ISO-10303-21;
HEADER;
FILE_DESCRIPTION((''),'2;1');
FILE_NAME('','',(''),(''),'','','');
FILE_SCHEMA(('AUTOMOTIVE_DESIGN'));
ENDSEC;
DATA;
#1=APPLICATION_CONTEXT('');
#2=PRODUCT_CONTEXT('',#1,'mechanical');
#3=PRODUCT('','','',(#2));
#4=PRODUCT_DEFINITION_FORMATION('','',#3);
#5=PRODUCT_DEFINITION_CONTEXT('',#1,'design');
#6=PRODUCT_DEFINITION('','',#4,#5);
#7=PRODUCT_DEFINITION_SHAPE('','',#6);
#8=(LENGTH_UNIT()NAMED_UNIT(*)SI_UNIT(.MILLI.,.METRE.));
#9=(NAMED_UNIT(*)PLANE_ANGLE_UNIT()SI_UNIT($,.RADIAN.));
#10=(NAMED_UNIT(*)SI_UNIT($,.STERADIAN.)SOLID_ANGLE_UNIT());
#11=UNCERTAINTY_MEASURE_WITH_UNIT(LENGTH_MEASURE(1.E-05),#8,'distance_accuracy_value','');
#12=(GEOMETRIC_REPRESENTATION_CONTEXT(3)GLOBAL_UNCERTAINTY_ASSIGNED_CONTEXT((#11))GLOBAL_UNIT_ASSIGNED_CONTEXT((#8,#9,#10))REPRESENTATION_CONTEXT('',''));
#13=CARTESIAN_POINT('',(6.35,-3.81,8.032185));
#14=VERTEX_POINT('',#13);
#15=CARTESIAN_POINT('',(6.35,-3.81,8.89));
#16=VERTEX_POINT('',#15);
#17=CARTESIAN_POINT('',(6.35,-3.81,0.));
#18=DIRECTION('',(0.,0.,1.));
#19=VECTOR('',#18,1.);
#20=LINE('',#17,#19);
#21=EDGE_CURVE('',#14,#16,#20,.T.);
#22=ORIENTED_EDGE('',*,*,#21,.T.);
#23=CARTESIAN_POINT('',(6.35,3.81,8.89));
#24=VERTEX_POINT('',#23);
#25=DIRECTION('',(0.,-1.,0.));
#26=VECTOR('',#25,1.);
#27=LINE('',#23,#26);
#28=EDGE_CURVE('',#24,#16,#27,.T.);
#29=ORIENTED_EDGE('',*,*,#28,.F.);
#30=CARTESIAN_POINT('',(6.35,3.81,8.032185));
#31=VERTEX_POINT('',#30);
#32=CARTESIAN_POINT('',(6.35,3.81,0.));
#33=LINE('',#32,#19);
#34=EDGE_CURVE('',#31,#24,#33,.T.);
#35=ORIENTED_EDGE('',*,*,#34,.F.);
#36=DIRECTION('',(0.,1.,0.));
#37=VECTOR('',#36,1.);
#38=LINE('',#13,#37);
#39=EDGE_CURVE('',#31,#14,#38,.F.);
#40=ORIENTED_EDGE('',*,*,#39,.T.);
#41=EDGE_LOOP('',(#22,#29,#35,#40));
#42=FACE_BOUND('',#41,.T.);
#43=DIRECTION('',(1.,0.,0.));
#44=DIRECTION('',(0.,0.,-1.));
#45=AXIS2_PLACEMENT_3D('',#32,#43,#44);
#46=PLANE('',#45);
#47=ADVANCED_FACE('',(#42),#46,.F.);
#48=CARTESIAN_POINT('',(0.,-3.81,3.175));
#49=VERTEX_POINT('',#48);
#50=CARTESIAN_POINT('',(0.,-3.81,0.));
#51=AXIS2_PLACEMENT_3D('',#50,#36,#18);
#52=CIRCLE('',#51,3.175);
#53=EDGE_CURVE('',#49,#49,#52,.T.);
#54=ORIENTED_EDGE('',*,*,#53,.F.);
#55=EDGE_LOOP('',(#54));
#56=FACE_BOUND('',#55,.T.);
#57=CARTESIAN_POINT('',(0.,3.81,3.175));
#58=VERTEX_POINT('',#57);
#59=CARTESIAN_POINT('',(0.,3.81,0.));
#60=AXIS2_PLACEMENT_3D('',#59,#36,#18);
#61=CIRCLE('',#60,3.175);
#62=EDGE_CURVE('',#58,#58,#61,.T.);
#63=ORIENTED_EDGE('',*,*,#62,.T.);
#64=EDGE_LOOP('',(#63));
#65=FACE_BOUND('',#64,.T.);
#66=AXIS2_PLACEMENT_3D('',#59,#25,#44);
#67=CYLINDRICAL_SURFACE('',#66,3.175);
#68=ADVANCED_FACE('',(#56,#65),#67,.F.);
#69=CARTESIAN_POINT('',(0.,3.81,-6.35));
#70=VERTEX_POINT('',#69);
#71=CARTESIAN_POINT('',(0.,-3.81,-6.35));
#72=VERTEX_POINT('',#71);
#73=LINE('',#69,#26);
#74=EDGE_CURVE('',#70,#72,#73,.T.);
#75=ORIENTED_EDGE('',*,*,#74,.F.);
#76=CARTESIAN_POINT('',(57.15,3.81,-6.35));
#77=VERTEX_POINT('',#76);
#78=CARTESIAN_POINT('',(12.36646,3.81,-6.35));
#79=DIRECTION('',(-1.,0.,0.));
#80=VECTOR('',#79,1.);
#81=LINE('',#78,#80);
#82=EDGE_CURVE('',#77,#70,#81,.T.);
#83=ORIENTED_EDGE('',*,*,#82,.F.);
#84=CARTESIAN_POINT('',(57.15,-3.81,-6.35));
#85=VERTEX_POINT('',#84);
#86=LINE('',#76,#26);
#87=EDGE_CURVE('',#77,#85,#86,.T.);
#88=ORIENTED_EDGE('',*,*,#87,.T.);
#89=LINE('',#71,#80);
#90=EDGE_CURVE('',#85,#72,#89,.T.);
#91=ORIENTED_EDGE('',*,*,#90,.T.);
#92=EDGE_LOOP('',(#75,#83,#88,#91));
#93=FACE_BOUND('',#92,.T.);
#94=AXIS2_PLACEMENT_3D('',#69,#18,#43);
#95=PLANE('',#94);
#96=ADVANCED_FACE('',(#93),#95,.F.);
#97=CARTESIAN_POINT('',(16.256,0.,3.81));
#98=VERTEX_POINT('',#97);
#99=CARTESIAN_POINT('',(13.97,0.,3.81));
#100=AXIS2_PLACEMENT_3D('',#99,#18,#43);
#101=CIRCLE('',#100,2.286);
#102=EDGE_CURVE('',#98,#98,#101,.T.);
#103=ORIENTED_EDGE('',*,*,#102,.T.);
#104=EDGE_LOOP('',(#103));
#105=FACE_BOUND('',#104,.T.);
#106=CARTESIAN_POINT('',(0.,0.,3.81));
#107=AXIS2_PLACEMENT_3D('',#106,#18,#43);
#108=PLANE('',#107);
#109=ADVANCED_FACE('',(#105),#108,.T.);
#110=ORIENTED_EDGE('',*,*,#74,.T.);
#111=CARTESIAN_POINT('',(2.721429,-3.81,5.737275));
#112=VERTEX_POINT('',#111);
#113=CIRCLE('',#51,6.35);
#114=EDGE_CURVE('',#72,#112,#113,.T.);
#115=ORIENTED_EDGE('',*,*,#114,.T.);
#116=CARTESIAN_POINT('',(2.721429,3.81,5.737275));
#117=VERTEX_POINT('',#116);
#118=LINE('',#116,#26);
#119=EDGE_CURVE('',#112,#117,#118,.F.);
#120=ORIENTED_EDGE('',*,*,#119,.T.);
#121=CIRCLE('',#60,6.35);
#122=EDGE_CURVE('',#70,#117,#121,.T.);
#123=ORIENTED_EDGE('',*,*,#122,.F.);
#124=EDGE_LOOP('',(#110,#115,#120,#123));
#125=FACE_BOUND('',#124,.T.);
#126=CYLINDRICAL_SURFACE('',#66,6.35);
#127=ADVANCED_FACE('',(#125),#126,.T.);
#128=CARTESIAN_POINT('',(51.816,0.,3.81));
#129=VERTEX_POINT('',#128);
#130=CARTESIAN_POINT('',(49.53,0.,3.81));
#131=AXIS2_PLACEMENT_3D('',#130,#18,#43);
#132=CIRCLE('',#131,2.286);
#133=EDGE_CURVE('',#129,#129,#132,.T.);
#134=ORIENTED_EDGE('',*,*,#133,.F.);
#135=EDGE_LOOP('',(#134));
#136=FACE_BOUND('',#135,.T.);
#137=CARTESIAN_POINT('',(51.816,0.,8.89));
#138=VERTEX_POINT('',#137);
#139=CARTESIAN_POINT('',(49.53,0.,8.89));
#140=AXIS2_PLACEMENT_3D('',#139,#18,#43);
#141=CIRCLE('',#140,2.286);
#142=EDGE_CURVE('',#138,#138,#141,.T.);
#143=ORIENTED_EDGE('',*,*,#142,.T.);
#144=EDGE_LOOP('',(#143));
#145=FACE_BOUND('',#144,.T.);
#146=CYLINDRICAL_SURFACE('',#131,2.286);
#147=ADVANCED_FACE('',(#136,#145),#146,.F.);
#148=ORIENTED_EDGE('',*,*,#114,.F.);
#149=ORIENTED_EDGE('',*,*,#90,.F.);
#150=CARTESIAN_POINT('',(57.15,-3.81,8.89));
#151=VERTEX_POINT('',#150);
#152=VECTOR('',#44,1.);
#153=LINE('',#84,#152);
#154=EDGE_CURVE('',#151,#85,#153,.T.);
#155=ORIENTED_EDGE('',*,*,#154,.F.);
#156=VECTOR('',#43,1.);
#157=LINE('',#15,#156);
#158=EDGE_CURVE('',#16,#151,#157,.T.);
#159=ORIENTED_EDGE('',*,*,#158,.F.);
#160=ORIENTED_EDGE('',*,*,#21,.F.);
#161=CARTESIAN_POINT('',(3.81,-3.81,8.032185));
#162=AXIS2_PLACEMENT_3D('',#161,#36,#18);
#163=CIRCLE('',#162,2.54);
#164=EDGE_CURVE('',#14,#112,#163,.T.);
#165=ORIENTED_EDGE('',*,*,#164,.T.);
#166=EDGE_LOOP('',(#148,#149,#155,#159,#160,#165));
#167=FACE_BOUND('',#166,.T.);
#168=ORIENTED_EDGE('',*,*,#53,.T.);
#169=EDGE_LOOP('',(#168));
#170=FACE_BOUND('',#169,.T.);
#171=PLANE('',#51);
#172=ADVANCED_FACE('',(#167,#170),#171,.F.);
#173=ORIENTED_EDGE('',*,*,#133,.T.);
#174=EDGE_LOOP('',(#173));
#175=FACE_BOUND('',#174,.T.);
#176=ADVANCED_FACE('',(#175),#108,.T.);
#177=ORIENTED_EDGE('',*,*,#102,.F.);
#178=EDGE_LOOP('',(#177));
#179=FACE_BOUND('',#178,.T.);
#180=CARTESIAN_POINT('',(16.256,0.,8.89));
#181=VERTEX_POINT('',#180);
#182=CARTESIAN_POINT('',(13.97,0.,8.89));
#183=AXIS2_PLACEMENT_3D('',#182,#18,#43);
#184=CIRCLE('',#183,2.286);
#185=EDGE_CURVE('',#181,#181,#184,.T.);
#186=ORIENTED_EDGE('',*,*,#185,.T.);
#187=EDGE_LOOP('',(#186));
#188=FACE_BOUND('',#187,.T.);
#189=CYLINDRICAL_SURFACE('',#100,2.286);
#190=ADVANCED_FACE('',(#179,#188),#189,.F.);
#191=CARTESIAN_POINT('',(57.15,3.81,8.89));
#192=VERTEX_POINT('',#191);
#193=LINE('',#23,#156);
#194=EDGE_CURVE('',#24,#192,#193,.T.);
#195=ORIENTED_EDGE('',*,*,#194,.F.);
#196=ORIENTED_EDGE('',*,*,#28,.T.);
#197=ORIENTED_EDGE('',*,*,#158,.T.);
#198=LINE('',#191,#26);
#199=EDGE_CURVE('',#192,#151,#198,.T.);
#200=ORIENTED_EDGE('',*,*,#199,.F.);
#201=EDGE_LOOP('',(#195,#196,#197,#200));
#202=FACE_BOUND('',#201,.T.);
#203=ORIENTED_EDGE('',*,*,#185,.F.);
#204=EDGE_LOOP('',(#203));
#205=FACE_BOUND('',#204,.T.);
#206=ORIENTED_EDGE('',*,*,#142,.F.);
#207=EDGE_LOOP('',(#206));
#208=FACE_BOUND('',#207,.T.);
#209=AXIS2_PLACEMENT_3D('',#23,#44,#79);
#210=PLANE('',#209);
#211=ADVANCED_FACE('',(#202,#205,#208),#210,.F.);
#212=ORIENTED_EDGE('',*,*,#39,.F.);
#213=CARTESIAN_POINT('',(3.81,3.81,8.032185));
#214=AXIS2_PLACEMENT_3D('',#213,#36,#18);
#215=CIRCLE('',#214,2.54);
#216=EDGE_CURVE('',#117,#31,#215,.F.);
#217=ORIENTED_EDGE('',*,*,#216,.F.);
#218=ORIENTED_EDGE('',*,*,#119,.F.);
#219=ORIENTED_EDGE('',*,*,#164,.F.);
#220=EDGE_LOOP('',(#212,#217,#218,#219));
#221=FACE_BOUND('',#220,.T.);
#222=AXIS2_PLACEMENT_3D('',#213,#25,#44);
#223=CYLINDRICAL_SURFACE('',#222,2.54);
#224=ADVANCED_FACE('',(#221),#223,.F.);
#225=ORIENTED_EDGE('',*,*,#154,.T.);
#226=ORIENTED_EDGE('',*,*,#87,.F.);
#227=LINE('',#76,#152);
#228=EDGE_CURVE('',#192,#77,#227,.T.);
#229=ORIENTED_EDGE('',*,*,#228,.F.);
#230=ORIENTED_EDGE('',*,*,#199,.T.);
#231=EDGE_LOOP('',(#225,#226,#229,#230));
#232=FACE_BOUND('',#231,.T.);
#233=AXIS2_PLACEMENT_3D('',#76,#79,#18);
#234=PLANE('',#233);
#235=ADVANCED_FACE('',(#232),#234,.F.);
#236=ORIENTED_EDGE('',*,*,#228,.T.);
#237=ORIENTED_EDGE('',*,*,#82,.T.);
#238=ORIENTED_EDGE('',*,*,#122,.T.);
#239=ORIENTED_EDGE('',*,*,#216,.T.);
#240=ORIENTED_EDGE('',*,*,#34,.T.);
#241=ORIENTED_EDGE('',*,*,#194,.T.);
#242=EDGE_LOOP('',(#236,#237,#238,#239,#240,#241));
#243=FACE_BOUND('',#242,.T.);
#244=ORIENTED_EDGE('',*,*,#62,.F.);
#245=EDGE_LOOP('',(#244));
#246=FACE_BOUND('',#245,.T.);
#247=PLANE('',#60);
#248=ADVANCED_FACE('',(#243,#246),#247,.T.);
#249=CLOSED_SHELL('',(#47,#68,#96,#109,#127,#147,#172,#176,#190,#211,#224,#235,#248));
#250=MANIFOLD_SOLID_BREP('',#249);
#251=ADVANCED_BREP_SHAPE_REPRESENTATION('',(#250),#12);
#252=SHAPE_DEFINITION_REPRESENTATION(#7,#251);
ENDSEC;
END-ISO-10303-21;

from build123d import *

# Parameters (mm, degrees)
SKETCH1_R           = 3.175
BOSS_EXTRUDE1_DEPTH = 3.81
FILLET1_R           = 2.54
SKETCH2_R           = 2.286
SKETCH2_R_2         = 1.89865
CUT_EXTRUDE1_DEPTH  = 5.08


with BuildPart() as part:
    # Sketch1 → Boss-Extrude1 (new body, symmetric)
    with BuildSketch(Plane(origin=(0, 0, 0), x_dir=(1, 0, 0), z_dir=(0, 1, 0))):
        with BuildLine():
            Line((0, 6.35), (12.36646, 6.35))
            Line((12.36646, 6.35), (57.15, 6.35))
            Line((57.15, 6.35), (57.15, -8.89))
            Line((57.15, -8.89), (6.35, -8.89))
            Line((6.35, -8.89), (6.35, 0))
            ThreePointArc((6.35, 0), (-4.490128, -4.490128), (0, 6.35))
        make_face()
        Circle(SKETCH1_R, mode=Mode.SUBTRACT)
    extrude(amount=BOSS_EXTRUDE1_DEPTH, both=True)

    # Fillet1
    fillet1_edges = [part.edges().sort_by_distance(p)[0] for p in [
        (6.35, 0, 0),
    ]]
    fillet(fillet1_edges, radius=FILLET1_R)

    # Sketch2 → Cut-Extrude1 (cut)
    with BuildSketch(Plane.XY.offset(8.89)):
        with Locations((13.97, 0)):
            Circle(SKETCH2_R)
        with Locations((49.53, 0)):
            Circle(SKETCH2_R)
        with Locations((13.97, 0)):
            Circle(SKETCH2_R_2)
        with Locations((49.53, 0)):
            Circle(SKETCH2_R_2)
    extrude(amount=-CUT_EXTRUDE1_DEPTH, mode=Mode.SUBTRACT)


solid = part.part
